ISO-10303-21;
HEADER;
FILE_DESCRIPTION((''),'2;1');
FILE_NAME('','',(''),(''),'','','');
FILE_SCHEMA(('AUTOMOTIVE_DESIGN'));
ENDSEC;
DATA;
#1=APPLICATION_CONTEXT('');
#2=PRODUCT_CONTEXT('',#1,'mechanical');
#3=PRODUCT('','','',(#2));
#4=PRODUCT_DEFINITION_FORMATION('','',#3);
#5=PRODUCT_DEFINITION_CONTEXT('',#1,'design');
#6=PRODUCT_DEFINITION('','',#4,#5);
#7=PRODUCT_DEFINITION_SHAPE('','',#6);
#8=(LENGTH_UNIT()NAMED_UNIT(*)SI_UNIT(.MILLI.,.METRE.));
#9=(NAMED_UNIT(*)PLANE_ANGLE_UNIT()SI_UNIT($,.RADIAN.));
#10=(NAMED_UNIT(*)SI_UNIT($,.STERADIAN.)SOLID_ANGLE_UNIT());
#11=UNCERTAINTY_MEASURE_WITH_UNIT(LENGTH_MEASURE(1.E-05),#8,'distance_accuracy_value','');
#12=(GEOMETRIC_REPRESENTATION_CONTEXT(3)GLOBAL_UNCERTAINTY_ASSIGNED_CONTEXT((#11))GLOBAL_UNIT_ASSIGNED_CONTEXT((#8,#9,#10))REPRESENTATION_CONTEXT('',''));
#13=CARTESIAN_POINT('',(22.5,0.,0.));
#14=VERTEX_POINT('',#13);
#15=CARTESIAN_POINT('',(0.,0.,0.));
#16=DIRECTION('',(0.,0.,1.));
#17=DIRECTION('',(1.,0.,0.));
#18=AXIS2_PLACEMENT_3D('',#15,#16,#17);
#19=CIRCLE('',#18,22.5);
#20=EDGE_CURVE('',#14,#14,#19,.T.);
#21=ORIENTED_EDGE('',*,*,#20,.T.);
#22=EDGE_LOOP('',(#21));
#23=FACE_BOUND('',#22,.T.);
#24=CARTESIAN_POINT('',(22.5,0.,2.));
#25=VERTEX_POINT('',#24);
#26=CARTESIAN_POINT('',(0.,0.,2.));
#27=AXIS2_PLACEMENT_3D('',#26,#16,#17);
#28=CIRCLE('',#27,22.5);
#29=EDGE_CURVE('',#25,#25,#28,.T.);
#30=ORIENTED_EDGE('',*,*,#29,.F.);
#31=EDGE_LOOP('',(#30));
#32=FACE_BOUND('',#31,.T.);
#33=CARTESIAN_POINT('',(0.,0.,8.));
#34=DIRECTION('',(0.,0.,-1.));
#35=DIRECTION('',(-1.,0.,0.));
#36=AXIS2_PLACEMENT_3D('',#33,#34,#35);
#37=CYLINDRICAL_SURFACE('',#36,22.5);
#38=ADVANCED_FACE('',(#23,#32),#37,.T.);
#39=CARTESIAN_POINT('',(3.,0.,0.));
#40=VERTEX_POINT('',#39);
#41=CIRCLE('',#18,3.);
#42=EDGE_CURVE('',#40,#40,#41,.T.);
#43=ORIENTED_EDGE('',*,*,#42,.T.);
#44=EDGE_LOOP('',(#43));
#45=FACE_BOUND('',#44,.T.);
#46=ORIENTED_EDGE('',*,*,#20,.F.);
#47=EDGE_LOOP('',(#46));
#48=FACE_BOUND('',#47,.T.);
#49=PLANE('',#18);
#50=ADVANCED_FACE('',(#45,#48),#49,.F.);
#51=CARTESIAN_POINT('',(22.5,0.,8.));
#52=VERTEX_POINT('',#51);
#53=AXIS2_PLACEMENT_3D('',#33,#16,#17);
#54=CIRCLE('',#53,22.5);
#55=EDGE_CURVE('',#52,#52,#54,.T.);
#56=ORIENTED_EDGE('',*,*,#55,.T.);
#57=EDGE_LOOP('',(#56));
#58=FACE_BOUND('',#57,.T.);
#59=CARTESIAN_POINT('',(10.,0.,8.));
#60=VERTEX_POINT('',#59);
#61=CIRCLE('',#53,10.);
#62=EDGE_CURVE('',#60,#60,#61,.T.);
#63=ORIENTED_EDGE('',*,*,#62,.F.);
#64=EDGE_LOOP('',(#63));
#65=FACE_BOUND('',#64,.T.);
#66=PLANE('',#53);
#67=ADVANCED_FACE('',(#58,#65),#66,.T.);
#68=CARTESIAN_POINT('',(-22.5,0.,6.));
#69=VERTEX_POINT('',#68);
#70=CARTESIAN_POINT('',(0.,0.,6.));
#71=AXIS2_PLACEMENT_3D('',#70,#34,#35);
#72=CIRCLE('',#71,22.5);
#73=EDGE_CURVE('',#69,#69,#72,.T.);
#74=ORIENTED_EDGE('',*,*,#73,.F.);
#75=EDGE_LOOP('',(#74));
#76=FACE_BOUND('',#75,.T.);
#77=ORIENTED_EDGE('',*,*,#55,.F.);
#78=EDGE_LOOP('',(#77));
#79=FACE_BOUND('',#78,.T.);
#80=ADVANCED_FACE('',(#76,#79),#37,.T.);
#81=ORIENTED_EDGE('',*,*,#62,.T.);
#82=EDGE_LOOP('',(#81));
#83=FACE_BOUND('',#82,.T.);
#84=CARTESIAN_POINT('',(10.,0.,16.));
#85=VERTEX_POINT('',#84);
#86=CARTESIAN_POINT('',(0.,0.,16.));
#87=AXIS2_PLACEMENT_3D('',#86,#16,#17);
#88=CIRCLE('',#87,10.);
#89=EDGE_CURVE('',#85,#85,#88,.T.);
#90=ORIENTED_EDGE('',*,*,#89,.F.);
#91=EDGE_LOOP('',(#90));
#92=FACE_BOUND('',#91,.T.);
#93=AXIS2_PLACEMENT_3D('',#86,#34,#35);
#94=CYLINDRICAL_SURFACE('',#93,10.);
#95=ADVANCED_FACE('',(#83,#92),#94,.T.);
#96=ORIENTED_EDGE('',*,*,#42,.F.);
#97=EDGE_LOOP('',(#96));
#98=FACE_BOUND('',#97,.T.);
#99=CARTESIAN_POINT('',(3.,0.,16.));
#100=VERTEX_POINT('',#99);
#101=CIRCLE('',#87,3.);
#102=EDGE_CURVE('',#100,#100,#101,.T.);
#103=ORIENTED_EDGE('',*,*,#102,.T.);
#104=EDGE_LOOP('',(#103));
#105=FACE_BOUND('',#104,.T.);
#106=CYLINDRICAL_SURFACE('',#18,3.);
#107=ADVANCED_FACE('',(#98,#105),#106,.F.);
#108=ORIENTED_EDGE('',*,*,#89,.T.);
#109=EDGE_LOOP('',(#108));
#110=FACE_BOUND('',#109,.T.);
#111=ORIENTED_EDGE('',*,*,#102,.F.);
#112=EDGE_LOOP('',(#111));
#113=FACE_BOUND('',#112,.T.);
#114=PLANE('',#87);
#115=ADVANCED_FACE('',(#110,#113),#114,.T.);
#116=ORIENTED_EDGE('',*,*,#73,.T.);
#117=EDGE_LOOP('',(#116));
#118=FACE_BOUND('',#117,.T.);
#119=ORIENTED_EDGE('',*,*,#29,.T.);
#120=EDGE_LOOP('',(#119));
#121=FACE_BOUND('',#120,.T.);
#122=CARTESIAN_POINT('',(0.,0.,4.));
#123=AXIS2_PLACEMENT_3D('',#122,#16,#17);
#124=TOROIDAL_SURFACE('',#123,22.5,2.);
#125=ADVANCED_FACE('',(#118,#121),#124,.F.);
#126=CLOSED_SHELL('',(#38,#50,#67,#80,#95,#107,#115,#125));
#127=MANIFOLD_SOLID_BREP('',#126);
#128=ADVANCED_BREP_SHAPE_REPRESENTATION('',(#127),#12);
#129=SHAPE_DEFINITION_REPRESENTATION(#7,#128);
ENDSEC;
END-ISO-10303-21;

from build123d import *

# Parameters (mm, degrees)
SKETCH_1_R          = 22.5
EXTRUDE_1_DEPTH     = 8
SKETCH_2_R          = 2
SKETCH_3_R          = 10
EXTRUDE_2_DEPTH     = 8
SKETCH_4_R          = 3
CUT_EXTRUDE_1_DEPTH = 36.616007637


with BuildPart() as part:
    # 草图1 → 凸台-拉伸1 (new body)
    with BuildSketch(Plane.XY):
        Circle(SKETCH_1_R)
    extrude(amount=EXTRUDE_1_DEPTH)

    # 草图2 → 切除-旋转1 (revolve, cut)
    with BuildSketch(Plane(origin=(0, 0, 0), x_dir=(1, 0, 0), z_dir=(0, 1, 0)), mode=Mode.PRIVATE) as cut_revolve_1_sk:
        with Locations((-22.5, -4)):
            Circle(SKETCH_2_R)
    revolve(cut_revolve_1_sk.sketch.rotate(Axis((0, 0, 8), (0, 0, -1)), 180), axis=Axis((0, 0, 8), (0, 0, -1)), mode=Mode.SUBTRACT)

    # 草图3 → 凸台-拉伸2 (add)
    with BuildSketch(Plane.XY.offset(8)):
        Circle(SKETCH_3_R)
    extrude(amount=EXTRUDE_2_DEPTH)

    # 草图4 → 切除-拉伸1 (cut, through all)
    with BuildSketch(Plane.XY.offset(16)):
        Circle(SKETCH_4_R)
    extrude(amount=-CUT_EXTRUDE_1_DEPTH, mode=Mode.SUBTRACT)


solid = part.part
